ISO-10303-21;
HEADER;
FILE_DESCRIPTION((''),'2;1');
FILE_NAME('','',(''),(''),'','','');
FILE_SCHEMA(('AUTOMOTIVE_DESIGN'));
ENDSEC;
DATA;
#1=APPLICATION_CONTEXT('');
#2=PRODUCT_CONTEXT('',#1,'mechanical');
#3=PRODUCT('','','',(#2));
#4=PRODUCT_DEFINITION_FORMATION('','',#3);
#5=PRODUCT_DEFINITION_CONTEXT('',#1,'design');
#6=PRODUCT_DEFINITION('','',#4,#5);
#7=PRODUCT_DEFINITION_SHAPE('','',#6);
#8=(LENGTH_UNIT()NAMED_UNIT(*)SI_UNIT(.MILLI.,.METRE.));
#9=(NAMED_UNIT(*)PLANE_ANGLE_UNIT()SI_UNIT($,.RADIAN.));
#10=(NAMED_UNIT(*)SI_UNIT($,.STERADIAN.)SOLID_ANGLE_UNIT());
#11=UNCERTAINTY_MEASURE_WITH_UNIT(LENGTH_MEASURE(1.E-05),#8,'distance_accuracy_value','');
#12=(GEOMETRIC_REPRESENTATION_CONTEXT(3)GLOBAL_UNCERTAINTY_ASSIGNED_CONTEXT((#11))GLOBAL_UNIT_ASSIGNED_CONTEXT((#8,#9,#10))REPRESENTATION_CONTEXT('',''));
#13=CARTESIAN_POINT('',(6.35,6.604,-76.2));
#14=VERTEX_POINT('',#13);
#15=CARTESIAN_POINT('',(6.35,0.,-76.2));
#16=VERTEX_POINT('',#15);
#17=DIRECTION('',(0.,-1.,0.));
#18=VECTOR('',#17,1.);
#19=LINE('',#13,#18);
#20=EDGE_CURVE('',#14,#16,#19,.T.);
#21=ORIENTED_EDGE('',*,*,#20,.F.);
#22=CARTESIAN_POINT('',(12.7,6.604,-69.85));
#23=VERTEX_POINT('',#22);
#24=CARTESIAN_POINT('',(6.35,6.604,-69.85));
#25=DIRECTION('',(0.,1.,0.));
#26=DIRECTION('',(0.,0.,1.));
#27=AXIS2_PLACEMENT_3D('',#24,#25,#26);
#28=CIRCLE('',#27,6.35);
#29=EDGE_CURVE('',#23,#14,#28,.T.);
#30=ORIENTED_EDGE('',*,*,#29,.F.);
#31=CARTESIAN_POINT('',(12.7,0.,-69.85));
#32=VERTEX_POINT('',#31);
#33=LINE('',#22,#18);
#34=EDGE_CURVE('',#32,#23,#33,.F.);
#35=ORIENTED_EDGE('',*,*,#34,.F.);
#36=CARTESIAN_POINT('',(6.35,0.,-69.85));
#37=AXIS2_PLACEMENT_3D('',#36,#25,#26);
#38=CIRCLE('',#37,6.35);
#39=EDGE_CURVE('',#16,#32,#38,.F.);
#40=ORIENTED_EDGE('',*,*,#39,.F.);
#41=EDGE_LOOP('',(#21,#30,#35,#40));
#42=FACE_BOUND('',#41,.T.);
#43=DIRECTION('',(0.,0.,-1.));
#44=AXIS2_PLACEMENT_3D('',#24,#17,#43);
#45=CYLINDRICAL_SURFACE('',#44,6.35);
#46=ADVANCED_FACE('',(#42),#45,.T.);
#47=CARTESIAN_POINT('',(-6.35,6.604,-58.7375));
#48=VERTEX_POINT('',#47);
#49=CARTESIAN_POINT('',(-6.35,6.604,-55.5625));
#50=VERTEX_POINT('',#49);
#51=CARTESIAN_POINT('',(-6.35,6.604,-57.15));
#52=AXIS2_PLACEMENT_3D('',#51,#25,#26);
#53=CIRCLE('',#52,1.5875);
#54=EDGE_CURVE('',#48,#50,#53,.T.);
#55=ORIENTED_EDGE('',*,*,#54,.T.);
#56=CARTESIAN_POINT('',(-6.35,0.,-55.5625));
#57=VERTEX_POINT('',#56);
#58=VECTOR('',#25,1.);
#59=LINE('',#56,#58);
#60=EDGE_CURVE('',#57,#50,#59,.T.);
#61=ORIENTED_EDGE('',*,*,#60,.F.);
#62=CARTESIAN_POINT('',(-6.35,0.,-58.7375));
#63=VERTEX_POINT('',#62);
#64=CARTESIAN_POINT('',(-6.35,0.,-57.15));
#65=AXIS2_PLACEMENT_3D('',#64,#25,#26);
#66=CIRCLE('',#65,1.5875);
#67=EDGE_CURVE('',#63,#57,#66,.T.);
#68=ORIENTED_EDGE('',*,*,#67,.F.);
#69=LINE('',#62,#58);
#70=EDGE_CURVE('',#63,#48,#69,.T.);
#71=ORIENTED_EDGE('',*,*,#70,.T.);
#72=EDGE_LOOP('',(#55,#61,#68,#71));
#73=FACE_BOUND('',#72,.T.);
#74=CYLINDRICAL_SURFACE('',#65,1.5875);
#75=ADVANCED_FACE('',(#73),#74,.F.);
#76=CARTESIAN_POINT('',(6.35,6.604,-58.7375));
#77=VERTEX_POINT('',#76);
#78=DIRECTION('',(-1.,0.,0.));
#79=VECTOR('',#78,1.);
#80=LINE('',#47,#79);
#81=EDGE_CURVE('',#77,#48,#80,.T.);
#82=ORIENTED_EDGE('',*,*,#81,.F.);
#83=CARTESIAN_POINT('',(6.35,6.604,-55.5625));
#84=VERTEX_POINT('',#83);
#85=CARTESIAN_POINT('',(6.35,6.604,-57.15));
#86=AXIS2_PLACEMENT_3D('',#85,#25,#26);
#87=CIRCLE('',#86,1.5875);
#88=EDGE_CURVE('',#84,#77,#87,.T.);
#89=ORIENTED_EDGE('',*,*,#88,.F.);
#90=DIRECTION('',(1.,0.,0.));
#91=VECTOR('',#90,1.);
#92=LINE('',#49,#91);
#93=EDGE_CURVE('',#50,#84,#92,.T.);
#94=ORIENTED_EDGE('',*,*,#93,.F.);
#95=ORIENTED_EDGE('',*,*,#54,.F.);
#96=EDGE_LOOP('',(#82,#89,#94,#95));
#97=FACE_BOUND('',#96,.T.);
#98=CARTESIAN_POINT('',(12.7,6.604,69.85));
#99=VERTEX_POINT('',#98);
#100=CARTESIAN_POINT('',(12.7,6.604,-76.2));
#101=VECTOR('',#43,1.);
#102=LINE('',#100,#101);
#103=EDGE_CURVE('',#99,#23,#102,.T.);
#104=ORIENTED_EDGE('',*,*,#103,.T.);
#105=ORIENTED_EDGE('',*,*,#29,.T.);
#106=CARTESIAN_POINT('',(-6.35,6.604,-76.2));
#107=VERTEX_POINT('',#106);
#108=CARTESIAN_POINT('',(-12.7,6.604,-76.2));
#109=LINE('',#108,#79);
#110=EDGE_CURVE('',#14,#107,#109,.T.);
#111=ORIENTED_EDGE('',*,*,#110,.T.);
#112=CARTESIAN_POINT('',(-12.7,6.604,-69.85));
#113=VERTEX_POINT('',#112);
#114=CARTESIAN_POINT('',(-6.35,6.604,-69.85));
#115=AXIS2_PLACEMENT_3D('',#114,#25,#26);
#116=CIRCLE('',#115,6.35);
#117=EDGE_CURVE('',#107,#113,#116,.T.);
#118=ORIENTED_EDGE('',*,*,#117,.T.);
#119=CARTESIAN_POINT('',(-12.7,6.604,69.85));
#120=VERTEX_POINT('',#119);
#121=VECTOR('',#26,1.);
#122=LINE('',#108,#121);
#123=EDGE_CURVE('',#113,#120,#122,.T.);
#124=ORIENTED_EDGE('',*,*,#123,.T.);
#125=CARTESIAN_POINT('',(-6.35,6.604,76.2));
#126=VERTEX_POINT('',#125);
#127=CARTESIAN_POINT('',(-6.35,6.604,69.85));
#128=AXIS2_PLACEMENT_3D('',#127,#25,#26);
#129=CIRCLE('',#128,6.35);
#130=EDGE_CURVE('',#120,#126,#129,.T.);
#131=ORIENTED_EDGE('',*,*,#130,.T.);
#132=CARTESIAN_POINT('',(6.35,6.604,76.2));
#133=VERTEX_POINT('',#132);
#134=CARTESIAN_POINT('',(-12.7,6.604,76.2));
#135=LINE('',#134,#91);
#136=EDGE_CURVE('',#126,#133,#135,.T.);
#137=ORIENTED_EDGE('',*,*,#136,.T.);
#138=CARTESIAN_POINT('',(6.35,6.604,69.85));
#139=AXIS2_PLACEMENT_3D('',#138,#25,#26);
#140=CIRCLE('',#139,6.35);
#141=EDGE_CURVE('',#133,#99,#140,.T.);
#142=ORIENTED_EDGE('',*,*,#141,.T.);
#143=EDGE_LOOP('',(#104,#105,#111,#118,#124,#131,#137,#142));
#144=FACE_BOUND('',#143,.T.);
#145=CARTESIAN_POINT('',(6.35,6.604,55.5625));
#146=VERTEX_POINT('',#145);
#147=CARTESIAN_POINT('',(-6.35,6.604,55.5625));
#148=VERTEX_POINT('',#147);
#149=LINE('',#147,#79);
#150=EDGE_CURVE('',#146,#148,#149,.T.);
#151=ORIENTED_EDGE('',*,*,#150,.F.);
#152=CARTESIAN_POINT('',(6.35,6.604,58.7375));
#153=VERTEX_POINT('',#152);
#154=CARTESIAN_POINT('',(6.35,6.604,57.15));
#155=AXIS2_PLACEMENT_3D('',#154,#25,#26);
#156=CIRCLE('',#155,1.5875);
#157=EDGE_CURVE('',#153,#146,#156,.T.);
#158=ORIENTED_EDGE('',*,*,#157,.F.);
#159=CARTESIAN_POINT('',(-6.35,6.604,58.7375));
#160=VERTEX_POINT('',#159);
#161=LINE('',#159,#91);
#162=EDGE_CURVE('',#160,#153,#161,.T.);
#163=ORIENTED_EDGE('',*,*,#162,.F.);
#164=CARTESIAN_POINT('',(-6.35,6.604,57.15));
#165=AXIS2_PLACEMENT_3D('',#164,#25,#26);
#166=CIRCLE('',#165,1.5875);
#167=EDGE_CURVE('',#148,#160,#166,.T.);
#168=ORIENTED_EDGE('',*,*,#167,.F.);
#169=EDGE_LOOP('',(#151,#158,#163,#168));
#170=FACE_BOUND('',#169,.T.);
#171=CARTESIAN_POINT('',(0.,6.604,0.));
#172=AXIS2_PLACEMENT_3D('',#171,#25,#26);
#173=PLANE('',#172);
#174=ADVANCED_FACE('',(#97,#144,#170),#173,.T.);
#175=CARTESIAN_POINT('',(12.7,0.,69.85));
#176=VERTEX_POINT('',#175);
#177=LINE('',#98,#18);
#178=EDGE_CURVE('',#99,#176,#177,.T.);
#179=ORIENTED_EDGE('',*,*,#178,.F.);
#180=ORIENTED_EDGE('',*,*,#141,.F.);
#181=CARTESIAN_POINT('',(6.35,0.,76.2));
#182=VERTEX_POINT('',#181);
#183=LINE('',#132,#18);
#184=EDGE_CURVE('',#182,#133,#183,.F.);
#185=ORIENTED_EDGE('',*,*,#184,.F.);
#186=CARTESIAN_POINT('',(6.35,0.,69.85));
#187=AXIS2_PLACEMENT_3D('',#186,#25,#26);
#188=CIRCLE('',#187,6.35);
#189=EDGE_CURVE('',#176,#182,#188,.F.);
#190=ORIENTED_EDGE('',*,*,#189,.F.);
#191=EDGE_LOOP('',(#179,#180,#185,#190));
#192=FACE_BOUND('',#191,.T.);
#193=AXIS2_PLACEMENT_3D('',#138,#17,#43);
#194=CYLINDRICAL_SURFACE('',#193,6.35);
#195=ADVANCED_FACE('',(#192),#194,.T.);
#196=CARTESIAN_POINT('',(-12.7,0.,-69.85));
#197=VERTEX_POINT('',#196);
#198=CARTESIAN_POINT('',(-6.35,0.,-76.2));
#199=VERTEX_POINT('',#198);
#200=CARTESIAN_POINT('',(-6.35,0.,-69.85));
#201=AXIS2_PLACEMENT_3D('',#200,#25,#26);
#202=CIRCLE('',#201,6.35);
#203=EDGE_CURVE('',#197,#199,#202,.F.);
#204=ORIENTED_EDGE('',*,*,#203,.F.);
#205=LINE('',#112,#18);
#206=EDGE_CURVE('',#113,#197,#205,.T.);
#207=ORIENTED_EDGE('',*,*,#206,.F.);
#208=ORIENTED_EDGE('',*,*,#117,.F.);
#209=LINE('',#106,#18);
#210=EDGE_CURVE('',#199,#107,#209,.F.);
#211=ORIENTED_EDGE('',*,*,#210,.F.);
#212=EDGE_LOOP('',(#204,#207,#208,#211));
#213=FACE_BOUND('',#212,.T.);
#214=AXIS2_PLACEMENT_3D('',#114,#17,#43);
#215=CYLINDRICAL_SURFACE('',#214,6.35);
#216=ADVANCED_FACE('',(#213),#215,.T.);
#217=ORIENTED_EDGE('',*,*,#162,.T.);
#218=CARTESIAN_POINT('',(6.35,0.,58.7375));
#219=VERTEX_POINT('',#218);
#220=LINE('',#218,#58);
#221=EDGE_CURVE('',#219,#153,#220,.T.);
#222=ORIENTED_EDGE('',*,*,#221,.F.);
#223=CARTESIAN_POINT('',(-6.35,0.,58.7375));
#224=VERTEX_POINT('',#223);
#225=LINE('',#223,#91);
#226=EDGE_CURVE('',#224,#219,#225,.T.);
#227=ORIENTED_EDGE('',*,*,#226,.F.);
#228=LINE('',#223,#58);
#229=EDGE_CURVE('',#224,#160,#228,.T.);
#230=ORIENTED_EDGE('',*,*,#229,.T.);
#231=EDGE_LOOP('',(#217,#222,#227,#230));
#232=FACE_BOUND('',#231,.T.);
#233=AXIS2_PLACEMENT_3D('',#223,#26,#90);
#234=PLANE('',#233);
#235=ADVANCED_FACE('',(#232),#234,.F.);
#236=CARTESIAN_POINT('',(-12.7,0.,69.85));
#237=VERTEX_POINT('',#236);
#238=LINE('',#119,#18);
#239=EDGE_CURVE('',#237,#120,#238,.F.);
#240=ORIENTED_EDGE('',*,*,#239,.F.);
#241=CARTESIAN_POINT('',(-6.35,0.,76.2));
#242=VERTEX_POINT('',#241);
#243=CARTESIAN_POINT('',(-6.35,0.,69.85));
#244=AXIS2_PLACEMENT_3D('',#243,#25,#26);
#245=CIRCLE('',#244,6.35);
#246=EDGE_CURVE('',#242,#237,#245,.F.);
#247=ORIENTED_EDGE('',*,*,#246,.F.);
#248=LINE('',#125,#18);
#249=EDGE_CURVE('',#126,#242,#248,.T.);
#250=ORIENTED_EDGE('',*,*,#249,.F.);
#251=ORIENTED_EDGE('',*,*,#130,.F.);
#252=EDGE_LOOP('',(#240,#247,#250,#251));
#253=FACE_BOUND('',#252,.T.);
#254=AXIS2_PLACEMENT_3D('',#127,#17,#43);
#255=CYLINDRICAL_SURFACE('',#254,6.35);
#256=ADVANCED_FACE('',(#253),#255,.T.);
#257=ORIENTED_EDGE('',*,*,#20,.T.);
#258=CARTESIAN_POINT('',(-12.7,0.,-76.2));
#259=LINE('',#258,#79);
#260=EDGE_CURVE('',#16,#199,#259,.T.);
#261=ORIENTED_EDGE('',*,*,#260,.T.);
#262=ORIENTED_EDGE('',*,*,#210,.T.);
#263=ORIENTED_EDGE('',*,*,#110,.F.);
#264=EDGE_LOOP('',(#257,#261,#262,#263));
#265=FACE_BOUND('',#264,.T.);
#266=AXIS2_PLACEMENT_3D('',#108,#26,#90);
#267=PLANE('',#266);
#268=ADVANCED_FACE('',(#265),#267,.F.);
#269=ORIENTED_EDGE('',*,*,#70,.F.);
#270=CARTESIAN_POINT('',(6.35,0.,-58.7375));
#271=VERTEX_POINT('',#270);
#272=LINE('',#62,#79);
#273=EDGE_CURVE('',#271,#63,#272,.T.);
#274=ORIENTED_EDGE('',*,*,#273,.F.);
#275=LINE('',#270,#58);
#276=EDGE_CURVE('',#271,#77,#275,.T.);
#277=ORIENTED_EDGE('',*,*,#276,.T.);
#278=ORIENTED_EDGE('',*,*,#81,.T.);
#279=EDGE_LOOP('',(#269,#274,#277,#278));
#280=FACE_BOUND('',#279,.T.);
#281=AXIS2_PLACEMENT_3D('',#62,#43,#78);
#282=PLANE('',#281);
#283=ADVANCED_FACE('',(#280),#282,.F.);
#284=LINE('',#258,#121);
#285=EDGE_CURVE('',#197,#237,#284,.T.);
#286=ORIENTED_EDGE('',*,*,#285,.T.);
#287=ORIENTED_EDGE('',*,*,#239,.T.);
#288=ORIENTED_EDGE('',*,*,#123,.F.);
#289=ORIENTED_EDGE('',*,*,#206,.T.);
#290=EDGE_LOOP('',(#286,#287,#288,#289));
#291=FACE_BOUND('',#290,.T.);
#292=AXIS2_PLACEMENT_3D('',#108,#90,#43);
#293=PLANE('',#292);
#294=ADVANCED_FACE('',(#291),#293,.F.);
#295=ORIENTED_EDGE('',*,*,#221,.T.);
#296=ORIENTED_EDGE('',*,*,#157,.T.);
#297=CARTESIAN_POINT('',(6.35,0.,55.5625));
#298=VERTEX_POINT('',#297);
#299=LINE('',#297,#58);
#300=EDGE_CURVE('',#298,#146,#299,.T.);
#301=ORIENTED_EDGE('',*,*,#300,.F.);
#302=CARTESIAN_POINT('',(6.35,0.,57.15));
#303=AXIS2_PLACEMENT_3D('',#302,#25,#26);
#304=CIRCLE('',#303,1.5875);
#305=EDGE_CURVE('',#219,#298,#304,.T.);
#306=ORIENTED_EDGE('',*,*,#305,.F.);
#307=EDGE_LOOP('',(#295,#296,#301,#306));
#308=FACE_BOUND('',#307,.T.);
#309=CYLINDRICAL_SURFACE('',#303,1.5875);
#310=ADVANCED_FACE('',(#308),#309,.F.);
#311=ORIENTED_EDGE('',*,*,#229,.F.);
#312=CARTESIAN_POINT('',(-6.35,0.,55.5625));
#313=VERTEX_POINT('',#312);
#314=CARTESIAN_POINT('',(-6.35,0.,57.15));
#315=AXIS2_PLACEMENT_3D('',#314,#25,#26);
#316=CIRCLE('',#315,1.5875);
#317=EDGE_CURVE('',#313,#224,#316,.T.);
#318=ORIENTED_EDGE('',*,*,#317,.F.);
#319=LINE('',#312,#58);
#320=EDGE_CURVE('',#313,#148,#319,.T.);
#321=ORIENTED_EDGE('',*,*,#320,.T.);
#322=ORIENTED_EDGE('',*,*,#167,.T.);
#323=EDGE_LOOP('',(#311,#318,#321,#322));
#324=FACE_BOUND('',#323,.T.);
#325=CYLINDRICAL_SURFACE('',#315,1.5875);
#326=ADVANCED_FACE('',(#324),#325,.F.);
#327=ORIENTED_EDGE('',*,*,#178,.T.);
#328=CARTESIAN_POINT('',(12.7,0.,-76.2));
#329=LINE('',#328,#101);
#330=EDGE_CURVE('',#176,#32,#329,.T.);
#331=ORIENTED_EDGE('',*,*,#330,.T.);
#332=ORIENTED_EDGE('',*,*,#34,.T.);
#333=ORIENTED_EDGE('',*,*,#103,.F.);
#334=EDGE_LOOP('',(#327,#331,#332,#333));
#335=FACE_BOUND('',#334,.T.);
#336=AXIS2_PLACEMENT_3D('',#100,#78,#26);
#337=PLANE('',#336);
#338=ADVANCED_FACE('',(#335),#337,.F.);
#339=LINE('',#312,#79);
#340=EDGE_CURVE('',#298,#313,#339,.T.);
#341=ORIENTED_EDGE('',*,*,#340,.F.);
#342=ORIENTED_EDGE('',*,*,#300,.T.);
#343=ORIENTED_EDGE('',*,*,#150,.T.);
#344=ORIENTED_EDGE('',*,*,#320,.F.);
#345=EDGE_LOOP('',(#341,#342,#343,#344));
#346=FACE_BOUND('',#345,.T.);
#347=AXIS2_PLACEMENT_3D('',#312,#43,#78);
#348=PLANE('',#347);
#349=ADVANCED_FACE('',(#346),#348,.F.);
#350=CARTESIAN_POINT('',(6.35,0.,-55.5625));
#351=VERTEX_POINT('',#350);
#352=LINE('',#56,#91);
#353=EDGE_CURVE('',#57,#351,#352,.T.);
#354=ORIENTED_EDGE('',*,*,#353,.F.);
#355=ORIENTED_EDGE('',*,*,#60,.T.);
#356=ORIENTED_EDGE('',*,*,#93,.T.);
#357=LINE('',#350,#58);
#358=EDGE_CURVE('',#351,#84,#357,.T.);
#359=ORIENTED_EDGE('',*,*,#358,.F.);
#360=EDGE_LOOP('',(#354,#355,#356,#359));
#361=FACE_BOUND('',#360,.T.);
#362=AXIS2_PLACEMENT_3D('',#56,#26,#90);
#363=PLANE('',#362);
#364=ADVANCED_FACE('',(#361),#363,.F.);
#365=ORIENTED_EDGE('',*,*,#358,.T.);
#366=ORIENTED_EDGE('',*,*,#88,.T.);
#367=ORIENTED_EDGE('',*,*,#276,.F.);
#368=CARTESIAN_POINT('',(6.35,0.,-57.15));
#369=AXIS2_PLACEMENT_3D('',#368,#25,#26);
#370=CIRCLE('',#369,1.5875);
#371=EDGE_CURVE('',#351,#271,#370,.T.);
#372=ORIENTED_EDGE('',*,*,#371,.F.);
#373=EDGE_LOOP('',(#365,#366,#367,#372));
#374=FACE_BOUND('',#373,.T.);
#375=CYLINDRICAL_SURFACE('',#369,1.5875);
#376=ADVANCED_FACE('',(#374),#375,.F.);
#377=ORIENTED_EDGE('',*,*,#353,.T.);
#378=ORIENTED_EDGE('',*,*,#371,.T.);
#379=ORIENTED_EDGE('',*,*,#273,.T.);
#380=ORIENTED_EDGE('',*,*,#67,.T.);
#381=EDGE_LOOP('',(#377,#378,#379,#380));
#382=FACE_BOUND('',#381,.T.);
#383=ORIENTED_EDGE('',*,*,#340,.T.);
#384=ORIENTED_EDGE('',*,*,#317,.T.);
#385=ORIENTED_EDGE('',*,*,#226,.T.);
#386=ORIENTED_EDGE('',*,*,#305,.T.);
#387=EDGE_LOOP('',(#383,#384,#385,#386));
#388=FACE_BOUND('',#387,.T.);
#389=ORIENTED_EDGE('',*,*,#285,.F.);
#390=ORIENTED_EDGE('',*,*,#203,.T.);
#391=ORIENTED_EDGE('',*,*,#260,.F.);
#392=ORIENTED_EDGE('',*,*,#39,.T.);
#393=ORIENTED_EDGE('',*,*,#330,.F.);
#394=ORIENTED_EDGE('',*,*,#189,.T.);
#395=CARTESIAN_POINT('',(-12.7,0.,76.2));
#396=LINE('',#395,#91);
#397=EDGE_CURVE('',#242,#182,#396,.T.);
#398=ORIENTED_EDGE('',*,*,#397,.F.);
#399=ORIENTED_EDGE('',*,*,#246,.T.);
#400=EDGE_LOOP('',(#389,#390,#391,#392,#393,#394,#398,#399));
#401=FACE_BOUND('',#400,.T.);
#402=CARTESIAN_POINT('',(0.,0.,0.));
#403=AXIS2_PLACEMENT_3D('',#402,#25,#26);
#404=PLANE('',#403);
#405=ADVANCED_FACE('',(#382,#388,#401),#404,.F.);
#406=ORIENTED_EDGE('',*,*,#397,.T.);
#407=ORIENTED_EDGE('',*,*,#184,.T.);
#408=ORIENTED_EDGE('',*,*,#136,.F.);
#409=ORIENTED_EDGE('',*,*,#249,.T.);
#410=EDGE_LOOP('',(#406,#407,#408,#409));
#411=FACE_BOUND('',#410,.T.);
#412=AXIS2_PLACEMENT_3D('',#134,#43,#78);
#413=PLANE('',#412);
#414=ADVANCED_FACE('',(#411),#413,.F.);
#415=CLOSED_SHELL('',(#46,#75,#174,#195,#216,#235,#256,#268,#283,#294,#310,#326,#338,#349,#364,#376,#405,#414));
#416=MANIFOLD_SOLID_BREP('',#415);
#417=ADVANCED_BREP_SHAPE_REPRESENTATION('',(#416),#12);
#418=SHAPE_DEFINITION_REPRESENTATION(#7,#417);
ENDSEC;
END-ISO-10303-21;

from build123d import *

# Parameters (mm, degrees)
SKETCH1_W           = 25.4
SKETCH1_H           = 152.4
BOSS_EXTRUDE1_DEPTH = 6.604
CUT_EXTRUDE1_DEPTH  = 7.604
FILLET1_R           = 6.35


with BuildPart() as part:
    # Sketch1 → Boss-Extrude1 (new body)
    with BuildSketch(Plane(origin=(0, 0, 0), x_dir=(1, 0, 0), z_dir=(0, 1, 0))):
        Rectangle(SKETCH1_W, SKETCH1_H)
    extrude(amount=BOSS_EXTRUDE1_DEPTH)

    # Sketch2 → Cut-Extrude1 (cut, through all)
    with BuildSketch(Plane(origin=(0, 6.604, 0), x_dir=(1, 0, 0), z_dir=(0, 1, 0))):
        with BuildLine():
            Line((-6.35, 58.7375), (6.35, 58.7375))
            ThreePointArc((6.35, 58.7375), (7.9375, 57.15), (6.35, 55.5625))
            Line((6.35, 55.5625), (-6.35, 55.5625))
            ThreePointArc((-6.35, 55.5625), (-7.9375, 57.15), (-6.35, 58.7375))
        make_face()
        with BuildLine():
            Line((-6.35, -55.5625), (6.35, -55.5625))
            ThreePointArc((6.35, -55.5625), (7.9375, -57.15), (6.35, -58.7375))
            Line((6.35, -58.7375), (-6.35, -58.7375))
            ThreePointArc((-6.35, -58.7375), (-7.9375, -57.15), (-6.35, -55.5625))
        make_face()
    extrude(amount=-CUT_EXTRUDE1_DEPTH, mode=Mode.SUBTRACT)

    # Fillet1
    fillet1_edges = [part.edges().sort_by_distance(p)[0] for p in [
        (-12.7, 3.302, -76.2),
        (12.7, 3.302, -76.2),
        (12.7, 3.302, 76.2),
        (-12.7, 3.302, 76.2),
    ]]
    fillet(fillet1_edges, radius=FILLET1_R)


solid = part.part
